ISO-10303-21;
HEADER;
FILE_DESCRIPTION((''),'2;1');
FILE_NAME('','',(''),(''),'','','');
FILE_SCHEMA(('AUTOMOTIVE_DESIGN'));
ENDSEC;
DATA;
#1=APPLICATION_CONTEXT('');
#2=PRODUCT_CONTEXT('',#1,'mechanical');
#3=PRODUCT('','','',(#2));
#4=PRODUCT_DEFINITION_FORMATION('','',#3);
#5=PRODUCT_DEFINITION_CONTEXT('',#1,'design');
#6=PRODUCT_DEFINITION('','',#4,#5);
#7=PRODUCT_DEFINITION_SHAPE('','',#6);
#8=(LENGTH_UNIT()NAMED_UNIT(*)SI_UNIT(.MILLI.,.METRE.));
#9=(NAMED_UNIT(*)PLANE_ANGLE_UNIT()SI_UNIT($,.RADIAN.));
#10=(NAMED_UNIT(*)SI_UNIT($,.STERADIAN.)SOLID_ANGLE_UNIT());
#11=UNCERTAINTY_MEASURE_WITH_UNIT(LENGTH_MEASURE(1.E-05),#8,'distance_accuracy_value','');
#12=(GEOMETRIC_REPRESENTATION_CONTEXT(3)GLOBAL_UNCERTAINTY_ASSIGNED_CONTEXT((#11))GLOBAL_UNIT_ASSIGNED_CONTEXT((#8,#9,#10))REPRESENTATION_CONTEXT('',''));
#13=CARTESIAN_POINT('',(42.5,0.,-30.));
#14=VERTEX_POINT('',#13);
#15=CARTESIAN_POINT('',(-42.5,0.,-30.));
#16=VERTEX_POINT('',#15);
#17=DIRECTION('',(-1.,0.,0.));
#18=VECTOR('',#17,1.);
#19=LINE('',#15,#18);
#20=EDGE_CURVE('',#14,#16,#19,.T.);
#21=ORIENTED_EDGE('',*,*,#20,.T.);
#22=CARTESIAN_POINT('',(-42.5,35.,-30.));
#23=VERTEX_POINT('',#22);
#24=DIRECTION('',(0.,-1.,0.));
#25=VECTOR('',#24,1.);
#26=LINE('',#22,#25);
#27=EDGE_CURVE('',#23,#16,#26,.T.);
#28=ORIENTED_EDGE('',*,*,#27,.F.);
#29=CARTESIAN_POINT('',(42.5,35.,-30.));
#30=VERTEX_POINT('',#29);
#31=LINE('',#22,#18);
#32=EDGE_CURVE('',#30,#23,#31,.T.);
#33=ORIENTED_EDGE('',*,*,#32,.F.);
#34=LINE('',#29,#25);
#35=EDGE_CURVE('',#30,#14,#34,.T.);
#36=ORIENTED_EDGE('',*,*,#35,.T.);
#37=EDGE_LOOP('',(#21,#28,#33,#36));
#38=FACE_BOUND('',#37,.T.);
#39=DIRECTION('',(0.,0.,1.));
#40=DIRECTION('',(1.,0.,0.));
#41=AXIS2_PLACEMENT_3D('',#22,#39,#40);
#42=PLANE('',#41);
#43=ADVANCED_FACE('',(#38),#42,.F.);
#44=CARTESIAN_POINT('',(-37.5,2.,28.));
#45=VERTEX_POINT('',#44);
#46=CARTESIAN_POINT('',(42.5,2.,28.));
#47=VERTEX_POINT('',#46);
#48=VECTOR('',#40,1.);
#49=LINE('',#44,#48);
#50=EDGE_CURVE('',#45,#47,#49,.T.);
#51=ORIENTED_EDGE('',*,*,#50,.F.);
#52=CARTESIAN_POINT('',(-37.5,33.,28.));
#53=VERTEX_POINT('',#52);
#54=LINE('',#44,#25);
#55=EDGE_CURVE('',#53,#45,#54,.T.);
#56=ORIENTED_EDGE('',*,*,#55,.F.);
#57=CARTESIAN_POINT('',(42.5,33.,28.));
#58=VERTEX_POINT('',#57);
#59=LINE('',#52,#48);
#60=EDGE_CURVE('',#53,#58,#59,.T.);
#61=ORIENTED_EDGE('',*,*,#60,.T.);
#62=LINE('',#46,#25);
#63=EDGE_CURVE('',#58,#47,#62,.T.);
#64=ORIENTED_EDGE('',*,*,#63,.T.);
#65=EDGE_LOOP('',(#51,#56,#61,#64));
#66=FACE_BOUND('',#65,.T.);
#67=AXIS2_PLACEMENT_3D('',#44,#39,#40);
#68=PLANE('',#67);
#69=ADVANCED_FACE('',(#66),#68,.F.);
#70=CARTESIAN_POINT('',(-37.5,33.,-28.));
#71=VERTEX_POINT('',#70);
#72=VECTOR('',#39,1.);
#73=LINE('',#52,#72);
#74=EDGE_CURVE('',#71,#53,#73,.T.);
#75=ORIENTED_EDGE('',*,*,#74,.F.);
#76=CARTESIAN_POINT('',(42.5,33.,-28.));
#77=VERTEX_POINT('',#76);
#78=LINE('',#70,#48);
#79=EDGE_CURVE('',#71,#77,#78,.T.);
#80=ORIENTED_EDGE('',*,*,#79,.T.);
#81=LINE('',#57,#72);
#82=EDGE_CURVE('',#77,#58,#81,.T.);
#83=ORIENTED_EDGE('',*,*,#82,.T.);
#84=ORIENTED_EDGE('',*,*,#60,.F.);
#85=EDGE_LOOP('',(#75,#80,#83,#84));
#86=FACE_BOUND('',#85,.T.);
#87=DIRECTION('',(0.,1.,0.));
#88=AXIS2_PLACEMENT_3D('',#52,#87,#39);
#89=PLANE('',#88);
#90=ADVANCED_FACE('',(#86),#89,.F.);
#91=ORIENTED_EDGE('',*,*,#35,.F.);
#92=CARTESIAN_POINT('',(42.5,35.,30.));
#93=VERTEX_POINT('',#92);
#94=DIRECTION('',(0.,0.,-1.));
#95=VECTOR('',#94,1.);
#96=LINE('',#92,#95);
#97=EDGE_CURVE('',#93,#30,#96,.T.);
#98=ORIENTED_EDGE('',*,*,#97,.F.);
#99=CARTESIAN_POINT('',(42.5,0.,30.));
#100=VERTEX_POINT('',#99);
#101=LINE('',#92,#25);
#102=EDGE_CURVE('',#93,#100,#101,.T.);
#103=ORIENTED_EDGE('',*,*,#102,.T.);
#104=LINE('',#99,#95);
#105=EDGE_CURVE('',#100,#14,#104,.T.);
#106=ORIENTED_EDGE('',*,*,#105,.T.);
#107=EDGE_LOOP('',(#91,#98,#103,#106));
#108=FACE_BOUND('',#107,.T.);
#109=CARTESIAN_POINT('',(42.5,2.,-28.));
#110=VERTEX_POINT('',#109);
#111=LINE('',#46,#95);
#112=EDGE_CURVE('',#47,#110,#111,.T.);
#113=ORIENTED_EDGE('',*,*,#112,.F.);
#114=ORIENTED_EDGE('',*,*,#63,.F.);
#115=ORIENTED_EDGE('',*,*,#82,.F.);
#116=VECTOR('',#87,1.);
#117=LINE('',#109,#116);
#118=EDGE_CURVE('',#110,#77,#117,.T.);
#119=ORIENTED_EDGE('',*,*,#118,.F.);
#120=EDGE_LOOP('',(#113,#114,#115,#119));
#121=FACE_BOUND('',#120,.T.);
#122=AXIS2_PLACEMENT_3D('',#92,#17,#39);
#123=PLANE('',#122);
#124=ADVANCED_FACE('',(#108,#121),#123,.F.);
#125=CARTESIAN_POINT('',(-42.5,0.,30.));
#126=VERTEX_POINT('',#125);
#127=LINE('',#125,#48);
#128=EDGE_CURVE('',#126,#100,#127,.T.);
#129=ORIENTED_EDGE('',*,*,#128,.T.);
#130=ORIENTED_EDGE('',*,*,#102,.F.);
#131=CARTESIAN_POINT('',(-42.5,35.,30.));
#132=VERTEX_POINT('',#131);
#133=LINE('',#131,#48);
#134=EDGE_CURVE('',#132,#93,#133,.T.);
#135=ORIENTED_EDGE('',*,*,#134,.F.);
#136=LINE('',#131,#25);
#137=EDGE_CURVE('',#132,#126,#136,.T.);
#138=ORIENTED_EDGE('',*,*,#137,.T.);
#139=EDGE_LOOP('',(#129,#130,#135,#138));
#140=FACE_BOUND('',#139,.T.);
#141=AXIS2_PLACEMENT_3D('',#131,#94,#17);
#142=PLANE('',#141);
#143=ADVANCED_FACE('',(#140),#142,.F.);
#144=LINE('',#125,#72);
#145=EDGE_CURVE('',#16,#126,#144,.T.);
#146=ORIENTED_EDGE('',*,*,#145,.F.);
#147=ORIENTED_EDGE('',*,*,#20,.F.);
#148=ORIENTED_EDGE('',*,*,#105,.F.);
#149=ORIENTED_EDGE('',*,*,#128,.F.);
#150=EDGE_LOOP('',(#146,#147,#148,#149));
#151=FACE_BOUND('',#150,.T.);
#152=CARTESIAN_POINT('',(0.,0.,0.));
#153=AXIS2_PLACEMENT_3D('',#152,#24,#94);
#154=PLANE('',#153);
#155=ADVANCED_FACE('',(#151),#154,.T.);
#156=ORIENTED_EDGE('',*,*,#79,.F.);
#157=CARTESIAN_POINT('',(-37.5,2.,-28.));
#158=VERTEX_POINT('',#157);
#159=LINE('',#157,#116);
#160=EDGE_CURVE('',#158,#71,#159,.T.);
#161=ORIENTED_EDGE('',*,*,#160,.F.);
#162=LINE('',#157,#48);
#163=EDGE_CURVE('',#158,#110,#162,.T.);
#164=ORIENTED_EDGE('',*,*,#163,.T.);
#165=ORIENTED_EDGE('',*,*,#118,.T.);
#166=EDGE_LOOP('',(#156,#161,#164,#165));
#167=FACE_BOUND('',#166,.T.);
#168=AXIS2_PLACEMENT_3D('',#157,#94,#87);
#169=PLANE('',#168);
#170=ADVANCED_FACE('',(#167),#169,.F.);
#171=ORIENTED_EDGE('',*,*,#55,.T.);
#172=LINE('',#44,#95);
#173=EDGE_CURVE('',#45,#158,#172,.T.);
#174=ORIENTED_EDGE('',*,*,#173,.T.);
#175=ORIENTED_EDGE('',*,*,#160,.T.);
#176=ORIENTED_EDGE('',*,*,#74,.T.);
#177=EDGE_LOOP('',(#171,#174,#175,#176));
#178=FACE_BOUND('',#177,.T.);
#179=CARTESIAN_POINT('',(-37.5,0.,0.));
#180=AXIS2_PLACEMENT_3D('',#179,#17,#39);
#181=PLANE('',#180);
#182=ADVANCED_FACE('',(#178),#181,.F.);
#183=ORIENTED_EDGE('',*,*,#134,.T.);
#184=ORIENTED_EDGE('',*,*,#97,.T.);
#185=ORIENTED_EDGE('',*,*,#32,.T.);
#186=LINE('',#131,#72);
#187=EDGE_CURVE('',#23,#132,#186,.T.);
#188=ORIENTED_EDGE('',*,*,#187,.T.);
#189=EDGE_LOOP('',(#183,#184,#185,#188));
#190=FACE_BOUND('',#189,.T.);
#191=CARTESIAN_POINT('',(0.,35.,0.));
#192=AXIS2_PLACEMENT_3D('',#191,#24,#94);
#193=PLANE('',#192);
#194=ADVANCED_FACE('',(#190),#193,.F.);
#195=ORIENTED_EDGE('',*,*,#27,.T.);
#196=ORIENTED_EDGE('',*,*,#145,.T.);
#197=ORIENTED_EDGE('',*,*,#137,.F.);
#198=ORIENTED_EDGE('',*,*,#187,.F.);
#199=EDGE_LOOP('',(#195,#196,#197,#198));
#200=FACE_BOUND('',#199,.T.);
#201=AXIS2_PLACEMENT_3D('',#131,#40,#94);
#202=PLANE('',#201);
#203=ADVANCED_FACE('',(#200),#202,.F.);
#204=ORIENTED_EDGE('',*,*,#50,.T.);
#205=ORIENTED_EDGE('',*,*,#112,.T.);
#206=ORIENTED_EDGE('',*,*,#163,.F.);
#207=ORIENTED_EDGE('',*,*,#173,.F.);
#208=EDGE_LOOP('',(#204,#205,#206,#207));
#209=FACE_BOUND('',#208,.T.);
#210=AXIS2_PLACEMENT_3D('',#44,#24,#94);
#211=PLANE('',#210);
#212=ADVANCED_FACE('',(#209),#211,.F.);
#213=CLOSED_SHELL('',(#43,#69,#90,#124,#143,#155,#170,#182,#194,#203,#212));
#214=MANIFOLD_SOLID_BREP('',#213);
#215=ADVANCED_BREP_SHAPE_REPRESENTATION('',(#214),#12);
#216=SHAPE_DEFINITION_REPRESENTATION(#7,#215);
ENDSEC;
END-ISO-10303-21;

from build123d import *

# Parameters (mm, degrees)
SKETCH1_W           = 85
SKETCH1_H           = 60
BOSS_EXTRUDE1_DEPTH = 35
SKETCH2_W           = 56
SKETCH2_H           = 31
CUT_EXTRUDE1_DEPTH  = 80


with BuildPart() as part:
    # Sketch1 → Boss-Extrude1 (new body)
    with BuildSketch(Plane(origin=(0, 0, 0), x_dir=(1, 0, 0), z_dir=(0, 1, 0))):
        Rectangle(SKETCH1_W, SKETCH1_H)
    extrude(amount=BOSS_EXTRUDE1_DEPTH)

    # Sketch2 → Cut-Extrude1 (cut)
    with BuildSketch(Plane(origin=(42.5, 0, 0), x_dir=(0, 0, -1), z_dir=(1, 0, 0))):
        with Locations((0, 17.5)):
            Rectangle(SKETCH2_W, SKETCH2_H)
    extrude(amount=-CUT_EXTRUDE1_DEPTH, mode=Mode.SUBTRACT)


solid = part.part
